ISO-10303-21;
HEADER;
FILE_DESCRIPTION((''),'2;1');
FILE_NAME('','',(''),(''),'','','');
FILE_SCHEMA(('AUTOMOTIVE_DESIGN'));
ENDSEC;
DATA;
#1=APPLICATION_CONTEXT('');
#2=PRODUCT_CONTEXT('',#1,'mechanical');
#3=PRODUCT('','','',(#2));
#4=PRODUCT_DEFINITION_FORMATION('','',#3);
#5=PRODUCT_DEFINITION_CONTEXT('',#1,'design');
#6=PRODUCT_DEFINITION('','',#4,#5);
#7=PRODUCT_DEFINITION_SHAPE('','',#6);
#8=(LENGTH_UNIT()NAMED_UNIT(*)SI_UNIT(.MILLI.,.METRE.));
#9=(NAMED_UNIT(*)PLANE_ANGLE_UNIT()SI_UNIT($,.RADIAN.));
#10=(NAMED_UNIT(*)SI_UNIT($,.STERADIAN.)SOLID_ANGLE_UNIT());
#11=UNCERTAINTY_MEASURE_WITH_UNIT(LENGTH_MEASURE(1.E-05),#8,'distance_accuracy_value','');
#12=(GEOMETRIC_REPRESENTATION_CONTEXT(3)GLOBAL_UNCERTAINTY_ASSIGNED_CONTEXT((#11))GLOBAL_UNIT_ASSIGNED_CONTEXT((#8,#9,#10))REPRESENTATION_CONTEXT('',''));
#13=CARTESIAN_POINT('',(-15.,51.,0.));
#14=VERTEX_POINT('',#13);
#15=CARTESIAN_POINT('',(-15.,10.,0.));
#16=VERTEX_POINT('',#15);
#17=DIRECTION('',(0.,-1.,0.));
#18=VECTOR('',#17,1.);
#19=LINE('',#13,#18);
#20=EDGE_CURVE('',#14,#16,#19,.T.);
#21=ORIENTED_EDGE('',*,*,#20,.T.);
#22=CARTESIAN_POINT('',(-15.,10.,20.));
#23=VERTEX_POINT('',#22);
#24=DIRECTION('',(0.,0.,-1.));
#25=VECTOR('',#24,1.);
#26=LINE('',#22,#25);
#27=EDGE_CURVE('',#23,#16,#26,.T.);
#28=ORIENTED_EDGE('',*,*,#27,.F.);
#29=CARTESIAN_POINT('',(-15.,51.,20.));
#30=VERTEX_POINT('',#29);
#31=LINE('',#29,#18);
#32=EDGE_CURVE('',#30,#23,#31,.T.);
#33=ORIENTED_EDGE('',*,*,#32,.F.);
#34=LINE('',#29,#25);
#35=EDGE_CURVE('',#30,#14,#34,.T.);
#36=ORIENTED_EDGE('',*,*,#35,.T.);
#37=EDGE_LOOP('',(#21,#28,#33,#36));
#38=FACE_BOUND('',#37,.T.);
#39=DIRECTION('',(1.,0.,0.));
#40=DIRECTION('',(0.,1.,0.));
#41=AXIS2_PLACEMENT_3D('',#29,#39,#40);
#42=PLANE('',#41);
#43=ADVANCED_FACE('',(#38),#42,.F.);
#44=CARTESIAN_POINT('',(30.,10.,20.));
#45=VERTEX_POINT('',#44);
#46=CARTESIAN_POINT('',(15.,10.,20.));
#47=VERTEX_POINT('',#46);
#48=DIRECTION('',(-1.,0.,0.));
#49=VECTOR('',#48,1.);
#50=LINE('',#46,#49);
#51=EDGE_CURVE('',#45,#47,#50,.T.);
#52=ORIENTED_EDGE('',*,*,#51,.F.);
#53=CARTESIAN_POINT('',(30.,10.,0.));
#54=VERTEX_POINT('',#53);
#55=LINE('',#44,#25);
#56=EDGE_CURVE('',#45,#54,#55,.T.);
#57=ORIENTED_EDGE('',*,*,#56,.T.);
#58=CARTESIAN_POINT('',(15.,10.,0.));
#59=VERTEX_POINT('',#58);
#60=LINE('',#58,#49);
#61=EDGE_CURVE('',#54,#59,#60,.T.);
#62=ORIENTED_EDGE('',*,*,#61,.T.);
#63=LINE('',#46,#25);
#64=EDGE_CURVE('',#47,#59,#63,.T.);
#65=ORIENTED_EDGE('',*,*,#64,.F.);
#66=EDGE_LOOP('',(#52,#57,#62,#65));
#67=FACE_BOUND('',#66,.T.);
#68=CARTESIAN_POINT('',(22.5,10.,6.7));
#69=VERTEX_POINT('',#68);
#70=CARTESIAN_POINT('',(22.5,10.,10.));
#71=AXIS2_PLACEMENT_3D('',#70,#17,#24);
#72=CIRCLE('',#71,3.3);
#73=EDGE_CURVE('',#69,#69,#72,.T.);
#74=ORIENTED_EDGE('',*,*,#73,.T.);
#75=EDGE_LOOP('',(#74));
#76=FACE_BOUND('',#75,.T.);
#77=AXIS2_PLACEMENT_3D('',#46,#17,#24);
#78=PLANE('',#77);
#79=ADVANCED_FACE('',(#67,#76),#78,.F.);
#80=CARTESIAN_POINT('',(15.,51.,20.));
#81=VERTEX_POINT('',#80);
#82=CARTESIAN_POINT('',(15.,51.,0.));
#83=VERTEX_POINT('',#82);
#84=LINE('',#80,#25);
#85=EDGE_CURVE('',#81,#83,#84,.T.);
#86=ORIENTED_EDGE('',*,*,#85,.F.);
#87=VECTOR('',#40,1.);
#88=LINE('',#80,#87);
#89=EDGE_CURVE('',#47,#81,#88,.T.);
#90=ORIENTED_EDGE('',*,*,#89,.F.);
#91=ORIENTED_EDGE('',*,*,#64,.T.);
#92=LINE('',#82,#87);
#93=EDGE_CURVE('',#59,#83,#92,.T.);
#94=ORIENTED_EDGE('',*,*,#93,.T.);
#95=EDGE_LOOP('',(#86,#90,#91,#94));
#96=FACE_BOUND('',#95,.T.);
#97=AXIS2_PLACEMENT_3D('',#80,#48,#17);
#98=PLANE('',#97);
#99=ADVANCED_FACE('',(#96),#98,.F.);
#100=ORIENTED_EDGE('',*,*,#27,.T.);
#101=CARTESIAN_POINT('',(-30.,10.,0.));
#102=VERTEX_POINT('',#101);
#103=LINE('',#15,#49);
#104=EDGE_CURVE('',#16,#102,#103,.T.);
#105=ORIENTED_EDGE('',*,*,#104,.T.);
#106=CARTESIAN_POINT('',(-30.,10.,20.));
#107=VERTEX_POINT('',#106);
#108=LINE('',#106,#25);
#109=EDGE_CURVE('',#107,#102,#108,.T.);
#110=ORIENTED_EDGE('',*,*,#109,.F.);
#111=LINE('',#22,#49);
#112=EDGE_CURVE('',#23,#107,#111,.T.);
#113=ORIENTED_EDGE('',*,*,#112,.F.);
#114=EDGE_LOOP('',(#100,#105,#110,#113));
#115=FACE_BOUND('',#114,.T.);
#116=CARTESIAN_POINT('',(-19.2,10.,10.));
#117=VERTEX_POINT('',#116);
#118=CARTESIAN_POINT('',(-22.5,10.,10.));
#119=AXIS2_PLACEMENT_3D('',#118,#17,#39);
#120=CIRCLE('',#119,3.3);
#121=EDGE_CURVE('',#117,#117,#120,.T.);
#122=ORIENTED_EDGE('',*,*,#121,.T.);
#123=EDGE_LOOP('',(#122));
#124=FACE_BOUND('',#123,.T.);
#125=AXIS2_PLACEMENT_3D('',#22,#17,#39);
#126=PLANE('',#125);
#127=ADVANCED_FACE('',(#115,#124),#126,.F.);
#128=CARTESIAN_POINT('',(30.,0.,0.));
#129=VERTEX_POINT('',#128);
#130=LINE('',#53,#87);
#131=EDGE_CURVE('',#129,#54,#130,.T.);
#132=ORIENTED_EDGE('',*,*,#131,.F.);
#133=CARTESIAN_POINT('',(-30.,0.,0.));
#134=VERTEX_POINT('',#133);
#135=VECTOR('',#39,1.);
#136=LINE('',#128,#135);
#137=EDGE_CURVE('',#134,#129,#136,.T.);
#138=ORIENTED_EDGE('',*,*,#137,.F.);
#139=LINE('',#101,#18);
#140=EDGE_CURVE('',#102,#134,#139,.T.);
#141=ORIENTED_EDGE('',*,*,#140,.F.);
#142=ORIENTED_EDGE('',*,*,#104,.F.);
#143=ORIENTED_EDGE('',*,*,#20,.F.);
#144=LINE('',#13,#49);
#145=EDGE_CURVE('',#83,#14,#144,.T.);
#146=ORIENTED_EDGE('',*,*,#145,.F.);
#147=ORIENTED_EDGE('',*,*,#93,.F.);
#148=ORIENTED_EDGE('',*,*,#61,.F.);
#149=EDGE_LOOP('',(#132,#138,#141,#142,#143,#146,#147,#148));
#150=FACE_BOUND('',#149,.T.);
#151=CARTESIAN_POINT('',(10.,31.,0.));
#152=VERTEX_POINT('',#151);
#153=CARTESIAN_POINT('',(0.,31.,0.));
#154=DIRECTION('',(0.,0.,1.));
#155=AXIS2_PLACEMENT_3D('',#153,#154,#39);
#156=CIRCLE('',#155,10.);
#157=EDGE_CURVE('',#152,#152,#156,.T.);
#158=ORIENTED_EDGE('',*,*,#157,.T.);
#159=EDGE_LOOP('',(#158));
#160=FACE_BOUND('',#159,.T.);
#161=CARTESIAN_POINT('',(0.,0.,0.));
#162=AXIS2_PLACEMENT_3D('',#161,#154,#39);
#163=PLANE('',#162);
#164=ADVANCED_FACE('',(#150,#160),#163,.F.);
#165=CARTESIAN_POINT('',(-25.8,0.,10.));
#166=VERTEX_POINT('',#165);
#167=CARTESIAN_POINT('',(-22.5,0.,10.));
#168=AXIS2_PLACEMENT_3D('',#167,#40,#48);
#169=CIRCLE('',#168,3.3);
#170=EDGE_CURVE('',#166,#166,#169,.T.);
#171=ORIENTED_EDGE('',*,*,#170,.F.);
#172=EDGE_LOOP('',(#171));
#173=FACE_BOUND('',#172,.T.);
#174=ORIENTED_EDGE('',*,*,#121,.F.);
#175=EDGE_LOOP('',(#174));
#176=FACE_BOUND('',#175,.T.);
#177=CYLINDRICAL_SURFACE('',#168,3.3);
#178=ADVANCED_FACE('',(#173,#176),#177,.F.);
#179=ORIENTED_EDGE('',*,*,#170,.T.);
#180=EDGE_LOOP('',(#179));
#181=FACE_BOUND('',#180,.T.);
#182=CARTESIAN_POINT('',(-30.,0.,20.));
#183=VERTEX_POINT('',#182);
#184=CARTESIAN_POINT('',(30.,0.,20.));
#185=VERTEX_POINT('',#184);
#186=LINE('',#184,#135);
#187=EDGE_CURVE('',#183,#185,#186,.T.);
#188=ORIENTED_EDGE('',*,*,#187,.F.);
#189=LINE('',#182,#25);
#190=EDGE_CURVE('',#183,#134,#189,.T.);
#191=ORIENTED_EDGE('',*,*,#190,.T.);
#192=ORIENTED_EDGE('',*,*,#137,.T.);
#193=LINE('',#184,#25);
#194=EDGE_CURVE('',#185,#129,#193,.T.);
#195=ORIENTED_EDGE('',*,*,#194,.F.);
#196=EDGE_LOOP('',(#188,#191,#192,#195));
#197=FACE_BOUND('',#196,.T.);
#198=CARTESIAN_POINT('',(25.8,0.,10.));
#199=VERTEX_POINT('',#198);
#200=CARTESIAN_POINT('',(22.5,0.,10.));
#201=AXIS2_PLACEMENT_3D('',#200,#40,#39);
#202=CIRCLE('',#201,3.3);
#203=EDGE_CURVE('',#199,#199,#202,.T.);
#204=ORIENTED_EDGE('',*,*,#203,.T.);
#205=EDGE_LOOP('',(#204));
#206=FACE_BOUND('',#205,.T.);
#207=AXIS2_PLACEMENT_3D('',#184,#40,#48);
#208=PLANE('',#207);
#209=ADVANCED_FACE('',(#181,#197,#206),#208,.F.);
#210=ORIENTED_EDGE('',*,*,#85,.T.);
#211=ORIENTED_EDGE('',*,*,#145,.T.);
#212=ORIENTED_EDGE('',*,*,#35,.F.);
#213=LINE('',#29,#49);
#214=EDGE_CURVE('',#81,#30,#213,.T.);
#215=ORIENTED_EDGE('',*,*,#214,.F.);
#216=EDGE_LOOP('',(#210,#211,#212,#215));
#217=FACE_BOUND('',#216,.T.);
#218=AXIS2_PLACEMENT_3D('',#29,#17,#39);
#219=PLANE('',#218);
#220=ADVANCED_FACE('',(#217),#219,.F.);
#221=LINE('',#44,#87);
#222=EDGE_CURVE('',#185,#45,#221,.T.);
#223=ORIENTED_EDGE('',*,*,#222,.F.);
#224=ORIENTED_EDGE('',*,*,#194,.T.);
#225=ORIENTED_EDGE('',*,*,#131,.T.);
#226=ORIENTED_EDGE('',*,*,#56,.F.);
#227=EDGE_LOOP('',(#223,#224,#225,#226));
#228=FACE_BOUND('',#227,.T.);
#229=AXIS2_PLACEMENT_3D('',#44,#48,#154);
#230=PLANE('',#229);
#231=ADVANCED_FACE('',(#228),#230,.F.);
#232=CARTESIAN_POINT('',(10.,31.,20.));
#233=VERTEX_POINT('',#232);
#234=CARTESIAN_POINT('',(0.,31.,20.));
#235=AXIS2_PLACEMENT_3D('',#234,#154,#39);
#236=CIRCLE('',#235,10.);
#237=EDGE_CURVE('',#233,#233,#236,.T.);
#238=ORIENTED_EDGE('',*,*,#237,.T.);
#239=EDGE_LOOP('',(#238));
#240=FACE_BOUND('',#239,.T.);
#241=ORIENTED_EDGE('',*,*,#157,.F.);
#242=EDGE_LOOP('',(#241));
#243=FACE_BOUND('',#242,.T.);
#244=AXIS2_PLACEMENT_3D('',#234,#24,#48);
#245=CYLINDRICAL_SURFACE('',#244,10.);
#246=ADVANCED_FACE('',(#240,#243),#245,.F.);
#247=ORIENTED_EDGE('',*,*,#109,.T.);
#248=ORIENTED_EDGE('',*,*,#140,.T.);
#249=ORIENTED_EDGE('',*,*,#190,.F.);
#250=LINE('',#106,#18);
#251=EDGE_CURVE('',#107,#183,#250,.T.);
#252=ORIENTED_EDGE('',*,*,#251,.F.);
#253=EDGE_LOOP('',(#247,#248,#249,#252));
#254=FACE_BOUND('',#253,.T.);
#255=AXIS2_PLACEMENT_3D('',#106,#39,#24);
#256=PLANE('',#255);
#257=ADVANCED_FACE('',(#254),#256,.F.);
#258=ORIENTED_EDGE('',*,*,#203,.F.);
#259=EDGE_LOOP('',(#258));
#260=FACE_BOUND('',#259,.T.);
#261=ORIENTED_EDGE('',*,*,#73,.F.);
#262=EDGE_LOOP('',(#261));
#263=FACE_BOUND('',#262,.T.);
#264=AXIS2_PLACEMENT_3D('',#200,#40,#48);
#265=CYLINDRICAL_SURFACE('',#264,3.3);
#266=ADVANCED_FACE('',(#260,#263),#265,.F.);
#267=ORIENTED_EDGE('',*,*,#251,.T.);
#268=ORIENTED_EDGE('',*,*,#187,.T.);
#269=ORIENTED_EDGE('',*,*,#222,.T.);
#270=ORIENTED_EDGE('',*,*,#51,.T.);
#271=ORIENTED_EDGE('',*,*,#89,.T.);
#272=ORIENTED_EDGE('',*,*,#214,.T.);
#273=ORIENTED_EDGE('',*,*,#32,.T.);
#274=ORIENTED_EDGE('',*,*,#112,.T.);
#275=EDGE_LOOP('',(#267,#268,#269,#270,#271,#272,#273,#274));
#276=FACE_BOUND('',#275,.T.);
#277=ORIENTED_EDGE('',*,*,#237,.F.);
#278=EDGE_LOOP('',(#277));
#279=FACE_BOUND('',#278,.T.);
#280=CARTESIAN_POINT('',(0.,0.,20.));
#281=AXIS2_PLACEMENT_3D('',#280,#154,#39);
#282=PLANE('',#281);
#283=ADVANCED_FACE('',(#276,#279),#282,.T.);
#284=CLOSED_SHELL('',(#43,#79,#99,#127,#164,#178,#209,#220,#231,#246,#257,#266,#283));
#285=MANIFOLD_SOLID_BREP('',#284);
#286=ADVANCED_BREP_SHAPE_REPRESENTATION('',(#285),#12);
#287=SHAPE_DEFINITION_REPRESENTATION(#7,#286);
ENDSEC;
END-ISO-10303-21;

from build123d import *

# Parameters (mm, degrees)
SKETCH_1_R               = 10
EXTRUDE_1_DEPTH          = 20
CUT_EXTRUDE_1_DEPTH      = 55.598534779
CUT_EXTRUDE_1_DEPTH_BACK = 55.598534779
SKETCH_2_R               = 3.3


with BuildPart() as part:
    # 草图1 → 凸台-拉伸1 (new body)
    with BuildSketch(Plane.XY):
        Polygon((-15, 51), (15, 51), (15, 10), (30, 10), (30, 0), (-30, 0), (-30, 10), (-15, 10), align=None)
        with Locations((0, 31)):
            Circle(SKETCH_1_R, mode=Mode.SUBTRACT)
    extrude(amount=EXTRUDE_1_DEPTH)

    # 草图2 → 切除-拉伸1 (cut, two sides: drawn at the far end of the back side and taken through both)
    with BuildSketch(Plane(origin=(0, 10, 0), x_dir=(1, 0, 0), z_dir=(0, 1, 0)).offset(-CUT_EXTRUDE_1_DEPTH_BACK)):
        with Locations(Location((-22.5, -10, 0), (0, 0, 180))):
            Circle(SKETCH_2_R)
        with Locations(Location((22.5, -10, 0), (0, 0, 90))):
            Circle(SKETCH_2_R)
    extrude(amount=CUT_EXTRUDE_1_DEPTH + CUT_EXTRUDE_1_DEPTH_BACK, mode=Mode.SUBTRACT)


solid = part.part
